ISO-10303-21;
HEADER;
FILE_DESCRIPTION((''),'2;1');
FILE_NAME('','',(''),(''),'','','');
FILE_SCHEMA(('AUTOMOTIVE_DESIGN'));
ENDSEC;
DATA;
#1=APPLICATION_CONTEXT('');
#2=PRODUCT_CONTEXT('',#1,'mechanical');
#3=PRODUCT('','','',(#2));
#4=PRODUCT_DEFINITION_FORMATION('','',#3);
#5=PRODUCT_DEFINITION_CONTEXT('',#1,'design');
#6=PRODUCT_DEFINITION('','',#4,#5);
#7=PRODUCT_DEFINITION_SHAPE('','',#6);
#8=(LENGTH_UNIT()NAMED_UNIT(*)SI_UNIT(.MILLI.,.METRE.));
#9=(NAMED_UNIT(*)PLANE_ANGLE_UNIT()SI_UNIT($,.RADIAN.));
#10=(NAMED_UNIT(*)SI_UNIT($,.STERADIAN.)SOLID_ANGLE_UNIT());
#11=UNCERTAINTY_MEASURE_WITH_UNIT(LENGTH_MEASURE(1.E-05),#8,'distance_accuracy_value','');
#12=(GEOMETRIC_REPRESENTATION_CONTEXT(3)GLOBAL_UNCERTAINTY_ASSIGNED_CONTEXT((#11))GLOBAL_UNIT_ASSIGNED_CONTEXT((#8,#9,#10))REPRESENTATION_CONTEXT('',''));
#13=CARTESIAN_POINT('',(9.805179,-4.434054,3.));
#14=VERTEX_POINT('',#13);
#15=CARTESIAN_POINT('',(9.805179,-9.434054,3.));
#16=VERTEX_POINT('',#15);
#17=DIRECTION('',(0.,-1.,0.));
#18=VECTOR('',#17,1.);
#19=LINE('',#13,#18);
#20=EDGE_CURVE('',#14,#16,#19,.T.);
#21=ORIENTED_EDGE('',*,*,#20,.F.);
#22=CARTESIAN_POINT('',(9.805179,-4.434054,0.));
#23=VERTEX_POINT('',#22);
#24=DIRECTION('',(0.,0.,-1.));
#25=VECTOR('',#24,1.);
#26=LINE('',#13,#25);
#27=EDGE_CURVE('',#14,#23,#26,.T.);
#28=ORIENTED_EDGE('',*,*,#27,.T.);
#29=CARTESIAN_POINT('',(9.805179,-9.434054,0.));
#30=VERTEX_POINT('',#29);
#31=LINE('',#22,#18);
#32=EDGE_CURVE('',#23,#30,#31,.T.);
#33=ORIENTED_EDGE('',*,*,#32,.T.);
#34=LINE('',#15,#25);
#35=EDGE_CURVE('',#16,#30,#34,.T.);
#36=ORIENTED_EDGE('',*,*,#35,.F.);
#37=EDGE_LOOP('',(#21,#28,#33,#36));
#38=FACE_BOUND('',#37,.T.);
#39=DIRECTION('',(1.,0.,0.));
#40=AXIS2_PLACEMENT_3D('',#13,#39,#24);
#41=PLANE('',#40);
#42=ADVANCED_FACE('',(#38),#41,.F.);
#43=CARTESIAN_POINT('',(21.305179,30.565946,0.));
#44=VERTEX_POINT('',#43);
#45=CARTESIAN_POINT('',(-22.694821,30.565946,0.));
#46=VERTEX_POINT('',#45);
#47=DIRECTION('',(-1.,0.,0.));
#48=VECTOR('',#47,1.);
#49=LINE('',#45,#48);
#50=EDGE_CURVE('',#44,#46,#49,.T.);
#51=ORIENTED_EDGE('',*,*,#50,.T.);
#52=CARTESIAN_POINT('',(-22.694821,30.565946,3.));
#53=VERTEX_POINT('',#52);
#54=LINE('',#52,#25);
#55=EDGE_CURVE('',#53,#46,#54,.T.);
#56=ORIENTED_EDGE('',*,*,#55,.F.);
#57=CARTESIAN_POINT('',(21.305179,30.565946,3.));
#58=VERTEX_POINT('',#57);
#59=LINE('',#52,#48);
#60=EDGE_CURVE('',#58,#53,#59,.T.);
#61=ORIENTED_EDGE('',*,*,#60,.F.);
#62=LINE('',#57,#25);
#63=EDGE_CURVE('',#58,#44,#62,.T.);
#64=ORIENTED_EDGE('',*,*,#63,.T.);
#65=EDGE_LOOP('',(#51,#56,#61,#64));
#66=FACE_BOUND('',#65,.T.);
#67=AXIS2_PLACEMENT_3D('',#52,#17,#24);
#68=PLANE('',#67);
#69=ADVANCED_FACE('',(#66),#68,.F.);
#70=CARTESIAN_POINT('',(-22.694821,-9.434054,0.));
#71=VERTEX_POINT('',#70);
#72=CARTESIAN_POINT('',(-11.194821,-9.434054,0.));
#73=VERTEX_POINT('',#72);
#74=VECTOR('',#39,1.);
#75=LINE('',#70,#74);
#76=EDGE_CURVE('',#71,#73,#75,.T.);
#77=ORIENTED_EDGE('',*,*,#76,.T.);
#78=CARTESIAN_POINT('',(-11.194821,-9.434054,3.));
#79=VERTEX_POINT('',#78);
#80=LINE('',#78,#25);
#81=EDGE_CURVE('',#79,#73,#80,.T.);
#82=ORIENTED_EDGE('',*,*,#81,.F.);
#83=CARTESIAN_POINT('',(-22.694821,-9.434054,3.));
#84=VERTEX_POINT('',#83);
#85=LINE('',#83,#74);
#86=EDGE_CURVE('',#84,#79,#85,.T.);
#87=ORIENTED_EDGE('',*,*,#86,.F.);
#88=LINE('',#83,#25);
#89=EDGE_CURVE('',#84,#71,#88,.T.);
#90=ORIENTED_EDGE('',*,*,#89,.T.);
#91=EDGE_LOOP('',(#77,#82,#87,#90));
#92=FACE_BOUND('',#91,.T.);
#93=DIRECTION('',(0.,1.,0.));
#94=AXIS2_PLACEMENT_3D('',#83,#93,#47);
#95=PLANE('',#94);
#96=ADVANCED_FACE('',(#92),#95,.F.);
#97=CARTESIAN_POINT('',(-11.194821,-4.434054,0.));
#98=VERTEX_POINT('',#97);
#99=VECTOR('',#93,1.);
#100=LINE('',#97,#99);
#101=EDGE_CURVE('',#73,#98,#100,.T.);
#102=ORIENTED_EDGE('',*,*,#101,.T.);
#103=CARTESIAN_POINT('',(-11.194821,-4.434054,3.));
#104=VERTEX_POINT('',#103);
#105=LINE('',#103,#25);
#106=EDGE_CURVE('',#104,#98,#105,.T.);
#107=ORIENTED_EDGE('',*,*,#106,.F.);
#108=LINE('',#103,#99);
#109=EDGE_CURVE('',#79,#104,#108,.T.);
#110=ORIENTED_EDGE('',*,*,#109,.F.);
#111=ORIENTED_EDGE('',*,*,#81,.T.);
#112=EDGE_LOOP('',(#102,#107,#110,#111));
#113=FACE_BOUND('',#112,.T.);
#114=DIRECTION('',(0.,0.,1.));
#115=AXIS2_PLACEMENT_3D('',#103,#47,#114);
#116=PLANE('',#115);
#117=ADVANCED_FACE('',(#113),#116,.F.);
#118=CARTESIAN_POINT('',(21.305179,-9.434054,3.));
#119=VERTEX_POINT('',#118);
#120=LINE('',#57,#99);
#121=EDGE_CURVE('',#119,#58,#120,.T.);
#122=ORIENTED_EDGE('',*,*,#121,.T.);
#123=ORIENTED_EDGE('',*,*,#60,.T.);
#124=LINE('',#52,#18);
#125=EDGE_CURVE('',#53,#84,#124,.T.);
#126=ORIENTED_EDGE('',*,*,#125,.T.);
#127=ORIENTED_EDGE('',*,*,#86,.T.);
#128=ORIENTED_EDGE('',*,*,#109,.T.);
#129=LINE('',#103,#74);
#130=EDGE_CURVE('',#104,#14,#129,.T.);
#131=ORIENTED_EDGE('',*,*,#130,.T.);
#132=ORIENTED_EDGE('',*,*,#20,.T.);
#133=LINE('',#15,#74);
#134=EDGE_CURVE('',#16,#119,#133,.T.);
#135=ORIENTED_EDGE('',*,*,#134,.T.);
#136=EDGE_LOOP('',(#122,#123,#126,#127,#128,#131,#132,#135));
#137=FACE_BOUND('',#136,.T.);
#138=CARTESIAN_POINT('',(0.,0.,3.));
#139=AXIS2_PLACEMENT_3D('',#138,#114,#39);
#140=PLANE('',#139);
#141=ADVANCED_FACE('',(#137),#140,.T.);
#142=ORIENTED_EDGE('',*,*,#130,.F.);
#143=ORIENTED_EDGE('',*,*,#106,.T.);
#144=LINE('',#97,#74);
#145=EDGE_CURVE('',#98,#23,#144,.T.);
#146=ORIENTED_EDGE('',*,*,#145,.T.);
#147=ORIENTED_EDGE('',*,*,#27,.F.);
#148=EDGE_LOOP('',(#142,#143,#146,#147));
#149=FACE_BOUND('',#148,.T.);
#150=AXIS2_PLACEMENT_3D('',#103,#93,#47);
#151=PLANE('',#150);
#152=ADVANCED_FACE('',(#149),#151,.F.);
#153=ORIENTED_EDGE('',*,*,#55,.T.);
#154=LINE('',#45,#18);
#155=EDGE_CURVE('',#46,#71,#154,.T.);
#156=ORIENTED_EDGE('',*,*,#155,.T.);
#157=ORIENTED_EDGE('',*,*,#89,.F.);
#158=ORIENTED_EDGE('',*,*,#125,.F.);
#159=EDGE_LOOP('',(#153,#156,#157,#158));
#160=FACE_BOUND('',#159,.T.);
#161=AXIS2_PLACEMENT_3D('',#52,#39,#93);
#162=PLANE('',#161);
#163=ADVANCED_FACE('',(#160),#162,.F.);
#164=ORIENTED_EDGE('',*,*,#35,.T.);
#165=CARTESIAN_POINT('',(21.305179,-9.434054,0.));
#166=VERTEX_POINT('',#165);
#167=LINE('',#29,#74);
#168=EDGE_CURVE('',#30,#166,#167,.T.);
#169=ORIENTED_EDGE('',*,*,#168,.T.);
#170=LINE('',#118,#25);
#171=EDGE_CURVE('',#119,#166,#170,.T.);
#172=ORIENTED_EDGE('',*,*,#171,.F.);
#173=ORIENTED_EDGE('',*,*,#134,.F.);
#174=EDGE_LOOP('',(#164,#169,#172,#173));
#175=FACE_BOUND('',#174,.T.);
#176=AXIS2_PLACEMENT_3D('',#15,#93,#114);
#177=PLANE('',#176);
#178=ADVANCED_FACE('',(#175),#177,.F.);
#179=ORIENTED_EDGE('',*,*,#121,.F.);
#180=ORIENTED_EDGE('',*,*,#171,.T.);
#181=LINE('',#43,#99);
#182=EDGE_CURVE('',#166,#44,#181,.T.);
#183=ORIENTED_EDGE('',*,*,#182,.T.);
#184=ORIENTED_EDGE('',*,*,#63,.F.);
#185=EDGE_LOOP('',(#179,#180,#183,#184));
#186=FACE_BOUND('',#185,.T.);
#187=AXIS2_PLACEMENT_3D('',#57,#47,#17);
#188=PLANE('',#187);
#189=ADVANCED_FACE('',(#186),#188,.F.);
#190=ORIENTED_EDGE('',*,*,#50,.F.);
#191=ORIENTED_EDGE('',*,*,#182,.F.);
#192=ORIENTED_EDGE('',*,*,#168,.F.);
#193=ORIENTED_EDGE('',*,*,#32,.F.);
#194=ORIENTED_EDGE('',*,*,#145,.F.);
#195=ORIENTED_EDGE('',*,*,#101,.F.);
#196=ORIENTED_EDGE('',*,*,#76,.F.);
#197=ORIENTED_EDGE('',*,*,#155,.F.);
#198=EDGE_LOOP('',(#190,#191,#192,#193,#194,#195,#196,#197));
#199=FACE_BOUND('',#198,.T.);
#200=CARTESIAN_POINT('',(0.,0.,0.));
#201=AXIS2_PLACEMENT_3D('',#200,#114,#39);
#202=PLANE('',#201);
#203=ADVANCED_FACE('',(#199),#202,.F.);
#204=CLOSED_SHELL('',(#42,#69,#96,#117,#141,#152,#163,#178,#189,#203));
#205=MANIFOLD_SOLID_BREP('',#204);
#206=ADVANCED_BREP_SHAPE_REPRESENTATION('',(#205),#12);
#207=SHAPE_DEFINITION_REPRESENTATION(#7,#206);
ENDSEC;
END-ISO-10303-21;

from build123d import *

# Parameters (mm, degrees)
EXTRUDE_1_DEPTH = 3


with BuildPart() as part:
    # 草图1 → 凸台-拉伸1 (new body)
    with BuildSketch(Plane.XY):
        Polygon((-22.694820717, 30.565946334), (21.305179283, 30.565946334), (21.305179283, -9.434053666), (9.805179283, -9.434053666), (9.805179283, -4.434053666), (-11.194820717, -4.434053666), (-11.194820717, -9.434053666), (-22.694820717, -9.434053666), align=None)
    extrude(amount=EXTRUDE_1_DEPTH)


solid = part.part
